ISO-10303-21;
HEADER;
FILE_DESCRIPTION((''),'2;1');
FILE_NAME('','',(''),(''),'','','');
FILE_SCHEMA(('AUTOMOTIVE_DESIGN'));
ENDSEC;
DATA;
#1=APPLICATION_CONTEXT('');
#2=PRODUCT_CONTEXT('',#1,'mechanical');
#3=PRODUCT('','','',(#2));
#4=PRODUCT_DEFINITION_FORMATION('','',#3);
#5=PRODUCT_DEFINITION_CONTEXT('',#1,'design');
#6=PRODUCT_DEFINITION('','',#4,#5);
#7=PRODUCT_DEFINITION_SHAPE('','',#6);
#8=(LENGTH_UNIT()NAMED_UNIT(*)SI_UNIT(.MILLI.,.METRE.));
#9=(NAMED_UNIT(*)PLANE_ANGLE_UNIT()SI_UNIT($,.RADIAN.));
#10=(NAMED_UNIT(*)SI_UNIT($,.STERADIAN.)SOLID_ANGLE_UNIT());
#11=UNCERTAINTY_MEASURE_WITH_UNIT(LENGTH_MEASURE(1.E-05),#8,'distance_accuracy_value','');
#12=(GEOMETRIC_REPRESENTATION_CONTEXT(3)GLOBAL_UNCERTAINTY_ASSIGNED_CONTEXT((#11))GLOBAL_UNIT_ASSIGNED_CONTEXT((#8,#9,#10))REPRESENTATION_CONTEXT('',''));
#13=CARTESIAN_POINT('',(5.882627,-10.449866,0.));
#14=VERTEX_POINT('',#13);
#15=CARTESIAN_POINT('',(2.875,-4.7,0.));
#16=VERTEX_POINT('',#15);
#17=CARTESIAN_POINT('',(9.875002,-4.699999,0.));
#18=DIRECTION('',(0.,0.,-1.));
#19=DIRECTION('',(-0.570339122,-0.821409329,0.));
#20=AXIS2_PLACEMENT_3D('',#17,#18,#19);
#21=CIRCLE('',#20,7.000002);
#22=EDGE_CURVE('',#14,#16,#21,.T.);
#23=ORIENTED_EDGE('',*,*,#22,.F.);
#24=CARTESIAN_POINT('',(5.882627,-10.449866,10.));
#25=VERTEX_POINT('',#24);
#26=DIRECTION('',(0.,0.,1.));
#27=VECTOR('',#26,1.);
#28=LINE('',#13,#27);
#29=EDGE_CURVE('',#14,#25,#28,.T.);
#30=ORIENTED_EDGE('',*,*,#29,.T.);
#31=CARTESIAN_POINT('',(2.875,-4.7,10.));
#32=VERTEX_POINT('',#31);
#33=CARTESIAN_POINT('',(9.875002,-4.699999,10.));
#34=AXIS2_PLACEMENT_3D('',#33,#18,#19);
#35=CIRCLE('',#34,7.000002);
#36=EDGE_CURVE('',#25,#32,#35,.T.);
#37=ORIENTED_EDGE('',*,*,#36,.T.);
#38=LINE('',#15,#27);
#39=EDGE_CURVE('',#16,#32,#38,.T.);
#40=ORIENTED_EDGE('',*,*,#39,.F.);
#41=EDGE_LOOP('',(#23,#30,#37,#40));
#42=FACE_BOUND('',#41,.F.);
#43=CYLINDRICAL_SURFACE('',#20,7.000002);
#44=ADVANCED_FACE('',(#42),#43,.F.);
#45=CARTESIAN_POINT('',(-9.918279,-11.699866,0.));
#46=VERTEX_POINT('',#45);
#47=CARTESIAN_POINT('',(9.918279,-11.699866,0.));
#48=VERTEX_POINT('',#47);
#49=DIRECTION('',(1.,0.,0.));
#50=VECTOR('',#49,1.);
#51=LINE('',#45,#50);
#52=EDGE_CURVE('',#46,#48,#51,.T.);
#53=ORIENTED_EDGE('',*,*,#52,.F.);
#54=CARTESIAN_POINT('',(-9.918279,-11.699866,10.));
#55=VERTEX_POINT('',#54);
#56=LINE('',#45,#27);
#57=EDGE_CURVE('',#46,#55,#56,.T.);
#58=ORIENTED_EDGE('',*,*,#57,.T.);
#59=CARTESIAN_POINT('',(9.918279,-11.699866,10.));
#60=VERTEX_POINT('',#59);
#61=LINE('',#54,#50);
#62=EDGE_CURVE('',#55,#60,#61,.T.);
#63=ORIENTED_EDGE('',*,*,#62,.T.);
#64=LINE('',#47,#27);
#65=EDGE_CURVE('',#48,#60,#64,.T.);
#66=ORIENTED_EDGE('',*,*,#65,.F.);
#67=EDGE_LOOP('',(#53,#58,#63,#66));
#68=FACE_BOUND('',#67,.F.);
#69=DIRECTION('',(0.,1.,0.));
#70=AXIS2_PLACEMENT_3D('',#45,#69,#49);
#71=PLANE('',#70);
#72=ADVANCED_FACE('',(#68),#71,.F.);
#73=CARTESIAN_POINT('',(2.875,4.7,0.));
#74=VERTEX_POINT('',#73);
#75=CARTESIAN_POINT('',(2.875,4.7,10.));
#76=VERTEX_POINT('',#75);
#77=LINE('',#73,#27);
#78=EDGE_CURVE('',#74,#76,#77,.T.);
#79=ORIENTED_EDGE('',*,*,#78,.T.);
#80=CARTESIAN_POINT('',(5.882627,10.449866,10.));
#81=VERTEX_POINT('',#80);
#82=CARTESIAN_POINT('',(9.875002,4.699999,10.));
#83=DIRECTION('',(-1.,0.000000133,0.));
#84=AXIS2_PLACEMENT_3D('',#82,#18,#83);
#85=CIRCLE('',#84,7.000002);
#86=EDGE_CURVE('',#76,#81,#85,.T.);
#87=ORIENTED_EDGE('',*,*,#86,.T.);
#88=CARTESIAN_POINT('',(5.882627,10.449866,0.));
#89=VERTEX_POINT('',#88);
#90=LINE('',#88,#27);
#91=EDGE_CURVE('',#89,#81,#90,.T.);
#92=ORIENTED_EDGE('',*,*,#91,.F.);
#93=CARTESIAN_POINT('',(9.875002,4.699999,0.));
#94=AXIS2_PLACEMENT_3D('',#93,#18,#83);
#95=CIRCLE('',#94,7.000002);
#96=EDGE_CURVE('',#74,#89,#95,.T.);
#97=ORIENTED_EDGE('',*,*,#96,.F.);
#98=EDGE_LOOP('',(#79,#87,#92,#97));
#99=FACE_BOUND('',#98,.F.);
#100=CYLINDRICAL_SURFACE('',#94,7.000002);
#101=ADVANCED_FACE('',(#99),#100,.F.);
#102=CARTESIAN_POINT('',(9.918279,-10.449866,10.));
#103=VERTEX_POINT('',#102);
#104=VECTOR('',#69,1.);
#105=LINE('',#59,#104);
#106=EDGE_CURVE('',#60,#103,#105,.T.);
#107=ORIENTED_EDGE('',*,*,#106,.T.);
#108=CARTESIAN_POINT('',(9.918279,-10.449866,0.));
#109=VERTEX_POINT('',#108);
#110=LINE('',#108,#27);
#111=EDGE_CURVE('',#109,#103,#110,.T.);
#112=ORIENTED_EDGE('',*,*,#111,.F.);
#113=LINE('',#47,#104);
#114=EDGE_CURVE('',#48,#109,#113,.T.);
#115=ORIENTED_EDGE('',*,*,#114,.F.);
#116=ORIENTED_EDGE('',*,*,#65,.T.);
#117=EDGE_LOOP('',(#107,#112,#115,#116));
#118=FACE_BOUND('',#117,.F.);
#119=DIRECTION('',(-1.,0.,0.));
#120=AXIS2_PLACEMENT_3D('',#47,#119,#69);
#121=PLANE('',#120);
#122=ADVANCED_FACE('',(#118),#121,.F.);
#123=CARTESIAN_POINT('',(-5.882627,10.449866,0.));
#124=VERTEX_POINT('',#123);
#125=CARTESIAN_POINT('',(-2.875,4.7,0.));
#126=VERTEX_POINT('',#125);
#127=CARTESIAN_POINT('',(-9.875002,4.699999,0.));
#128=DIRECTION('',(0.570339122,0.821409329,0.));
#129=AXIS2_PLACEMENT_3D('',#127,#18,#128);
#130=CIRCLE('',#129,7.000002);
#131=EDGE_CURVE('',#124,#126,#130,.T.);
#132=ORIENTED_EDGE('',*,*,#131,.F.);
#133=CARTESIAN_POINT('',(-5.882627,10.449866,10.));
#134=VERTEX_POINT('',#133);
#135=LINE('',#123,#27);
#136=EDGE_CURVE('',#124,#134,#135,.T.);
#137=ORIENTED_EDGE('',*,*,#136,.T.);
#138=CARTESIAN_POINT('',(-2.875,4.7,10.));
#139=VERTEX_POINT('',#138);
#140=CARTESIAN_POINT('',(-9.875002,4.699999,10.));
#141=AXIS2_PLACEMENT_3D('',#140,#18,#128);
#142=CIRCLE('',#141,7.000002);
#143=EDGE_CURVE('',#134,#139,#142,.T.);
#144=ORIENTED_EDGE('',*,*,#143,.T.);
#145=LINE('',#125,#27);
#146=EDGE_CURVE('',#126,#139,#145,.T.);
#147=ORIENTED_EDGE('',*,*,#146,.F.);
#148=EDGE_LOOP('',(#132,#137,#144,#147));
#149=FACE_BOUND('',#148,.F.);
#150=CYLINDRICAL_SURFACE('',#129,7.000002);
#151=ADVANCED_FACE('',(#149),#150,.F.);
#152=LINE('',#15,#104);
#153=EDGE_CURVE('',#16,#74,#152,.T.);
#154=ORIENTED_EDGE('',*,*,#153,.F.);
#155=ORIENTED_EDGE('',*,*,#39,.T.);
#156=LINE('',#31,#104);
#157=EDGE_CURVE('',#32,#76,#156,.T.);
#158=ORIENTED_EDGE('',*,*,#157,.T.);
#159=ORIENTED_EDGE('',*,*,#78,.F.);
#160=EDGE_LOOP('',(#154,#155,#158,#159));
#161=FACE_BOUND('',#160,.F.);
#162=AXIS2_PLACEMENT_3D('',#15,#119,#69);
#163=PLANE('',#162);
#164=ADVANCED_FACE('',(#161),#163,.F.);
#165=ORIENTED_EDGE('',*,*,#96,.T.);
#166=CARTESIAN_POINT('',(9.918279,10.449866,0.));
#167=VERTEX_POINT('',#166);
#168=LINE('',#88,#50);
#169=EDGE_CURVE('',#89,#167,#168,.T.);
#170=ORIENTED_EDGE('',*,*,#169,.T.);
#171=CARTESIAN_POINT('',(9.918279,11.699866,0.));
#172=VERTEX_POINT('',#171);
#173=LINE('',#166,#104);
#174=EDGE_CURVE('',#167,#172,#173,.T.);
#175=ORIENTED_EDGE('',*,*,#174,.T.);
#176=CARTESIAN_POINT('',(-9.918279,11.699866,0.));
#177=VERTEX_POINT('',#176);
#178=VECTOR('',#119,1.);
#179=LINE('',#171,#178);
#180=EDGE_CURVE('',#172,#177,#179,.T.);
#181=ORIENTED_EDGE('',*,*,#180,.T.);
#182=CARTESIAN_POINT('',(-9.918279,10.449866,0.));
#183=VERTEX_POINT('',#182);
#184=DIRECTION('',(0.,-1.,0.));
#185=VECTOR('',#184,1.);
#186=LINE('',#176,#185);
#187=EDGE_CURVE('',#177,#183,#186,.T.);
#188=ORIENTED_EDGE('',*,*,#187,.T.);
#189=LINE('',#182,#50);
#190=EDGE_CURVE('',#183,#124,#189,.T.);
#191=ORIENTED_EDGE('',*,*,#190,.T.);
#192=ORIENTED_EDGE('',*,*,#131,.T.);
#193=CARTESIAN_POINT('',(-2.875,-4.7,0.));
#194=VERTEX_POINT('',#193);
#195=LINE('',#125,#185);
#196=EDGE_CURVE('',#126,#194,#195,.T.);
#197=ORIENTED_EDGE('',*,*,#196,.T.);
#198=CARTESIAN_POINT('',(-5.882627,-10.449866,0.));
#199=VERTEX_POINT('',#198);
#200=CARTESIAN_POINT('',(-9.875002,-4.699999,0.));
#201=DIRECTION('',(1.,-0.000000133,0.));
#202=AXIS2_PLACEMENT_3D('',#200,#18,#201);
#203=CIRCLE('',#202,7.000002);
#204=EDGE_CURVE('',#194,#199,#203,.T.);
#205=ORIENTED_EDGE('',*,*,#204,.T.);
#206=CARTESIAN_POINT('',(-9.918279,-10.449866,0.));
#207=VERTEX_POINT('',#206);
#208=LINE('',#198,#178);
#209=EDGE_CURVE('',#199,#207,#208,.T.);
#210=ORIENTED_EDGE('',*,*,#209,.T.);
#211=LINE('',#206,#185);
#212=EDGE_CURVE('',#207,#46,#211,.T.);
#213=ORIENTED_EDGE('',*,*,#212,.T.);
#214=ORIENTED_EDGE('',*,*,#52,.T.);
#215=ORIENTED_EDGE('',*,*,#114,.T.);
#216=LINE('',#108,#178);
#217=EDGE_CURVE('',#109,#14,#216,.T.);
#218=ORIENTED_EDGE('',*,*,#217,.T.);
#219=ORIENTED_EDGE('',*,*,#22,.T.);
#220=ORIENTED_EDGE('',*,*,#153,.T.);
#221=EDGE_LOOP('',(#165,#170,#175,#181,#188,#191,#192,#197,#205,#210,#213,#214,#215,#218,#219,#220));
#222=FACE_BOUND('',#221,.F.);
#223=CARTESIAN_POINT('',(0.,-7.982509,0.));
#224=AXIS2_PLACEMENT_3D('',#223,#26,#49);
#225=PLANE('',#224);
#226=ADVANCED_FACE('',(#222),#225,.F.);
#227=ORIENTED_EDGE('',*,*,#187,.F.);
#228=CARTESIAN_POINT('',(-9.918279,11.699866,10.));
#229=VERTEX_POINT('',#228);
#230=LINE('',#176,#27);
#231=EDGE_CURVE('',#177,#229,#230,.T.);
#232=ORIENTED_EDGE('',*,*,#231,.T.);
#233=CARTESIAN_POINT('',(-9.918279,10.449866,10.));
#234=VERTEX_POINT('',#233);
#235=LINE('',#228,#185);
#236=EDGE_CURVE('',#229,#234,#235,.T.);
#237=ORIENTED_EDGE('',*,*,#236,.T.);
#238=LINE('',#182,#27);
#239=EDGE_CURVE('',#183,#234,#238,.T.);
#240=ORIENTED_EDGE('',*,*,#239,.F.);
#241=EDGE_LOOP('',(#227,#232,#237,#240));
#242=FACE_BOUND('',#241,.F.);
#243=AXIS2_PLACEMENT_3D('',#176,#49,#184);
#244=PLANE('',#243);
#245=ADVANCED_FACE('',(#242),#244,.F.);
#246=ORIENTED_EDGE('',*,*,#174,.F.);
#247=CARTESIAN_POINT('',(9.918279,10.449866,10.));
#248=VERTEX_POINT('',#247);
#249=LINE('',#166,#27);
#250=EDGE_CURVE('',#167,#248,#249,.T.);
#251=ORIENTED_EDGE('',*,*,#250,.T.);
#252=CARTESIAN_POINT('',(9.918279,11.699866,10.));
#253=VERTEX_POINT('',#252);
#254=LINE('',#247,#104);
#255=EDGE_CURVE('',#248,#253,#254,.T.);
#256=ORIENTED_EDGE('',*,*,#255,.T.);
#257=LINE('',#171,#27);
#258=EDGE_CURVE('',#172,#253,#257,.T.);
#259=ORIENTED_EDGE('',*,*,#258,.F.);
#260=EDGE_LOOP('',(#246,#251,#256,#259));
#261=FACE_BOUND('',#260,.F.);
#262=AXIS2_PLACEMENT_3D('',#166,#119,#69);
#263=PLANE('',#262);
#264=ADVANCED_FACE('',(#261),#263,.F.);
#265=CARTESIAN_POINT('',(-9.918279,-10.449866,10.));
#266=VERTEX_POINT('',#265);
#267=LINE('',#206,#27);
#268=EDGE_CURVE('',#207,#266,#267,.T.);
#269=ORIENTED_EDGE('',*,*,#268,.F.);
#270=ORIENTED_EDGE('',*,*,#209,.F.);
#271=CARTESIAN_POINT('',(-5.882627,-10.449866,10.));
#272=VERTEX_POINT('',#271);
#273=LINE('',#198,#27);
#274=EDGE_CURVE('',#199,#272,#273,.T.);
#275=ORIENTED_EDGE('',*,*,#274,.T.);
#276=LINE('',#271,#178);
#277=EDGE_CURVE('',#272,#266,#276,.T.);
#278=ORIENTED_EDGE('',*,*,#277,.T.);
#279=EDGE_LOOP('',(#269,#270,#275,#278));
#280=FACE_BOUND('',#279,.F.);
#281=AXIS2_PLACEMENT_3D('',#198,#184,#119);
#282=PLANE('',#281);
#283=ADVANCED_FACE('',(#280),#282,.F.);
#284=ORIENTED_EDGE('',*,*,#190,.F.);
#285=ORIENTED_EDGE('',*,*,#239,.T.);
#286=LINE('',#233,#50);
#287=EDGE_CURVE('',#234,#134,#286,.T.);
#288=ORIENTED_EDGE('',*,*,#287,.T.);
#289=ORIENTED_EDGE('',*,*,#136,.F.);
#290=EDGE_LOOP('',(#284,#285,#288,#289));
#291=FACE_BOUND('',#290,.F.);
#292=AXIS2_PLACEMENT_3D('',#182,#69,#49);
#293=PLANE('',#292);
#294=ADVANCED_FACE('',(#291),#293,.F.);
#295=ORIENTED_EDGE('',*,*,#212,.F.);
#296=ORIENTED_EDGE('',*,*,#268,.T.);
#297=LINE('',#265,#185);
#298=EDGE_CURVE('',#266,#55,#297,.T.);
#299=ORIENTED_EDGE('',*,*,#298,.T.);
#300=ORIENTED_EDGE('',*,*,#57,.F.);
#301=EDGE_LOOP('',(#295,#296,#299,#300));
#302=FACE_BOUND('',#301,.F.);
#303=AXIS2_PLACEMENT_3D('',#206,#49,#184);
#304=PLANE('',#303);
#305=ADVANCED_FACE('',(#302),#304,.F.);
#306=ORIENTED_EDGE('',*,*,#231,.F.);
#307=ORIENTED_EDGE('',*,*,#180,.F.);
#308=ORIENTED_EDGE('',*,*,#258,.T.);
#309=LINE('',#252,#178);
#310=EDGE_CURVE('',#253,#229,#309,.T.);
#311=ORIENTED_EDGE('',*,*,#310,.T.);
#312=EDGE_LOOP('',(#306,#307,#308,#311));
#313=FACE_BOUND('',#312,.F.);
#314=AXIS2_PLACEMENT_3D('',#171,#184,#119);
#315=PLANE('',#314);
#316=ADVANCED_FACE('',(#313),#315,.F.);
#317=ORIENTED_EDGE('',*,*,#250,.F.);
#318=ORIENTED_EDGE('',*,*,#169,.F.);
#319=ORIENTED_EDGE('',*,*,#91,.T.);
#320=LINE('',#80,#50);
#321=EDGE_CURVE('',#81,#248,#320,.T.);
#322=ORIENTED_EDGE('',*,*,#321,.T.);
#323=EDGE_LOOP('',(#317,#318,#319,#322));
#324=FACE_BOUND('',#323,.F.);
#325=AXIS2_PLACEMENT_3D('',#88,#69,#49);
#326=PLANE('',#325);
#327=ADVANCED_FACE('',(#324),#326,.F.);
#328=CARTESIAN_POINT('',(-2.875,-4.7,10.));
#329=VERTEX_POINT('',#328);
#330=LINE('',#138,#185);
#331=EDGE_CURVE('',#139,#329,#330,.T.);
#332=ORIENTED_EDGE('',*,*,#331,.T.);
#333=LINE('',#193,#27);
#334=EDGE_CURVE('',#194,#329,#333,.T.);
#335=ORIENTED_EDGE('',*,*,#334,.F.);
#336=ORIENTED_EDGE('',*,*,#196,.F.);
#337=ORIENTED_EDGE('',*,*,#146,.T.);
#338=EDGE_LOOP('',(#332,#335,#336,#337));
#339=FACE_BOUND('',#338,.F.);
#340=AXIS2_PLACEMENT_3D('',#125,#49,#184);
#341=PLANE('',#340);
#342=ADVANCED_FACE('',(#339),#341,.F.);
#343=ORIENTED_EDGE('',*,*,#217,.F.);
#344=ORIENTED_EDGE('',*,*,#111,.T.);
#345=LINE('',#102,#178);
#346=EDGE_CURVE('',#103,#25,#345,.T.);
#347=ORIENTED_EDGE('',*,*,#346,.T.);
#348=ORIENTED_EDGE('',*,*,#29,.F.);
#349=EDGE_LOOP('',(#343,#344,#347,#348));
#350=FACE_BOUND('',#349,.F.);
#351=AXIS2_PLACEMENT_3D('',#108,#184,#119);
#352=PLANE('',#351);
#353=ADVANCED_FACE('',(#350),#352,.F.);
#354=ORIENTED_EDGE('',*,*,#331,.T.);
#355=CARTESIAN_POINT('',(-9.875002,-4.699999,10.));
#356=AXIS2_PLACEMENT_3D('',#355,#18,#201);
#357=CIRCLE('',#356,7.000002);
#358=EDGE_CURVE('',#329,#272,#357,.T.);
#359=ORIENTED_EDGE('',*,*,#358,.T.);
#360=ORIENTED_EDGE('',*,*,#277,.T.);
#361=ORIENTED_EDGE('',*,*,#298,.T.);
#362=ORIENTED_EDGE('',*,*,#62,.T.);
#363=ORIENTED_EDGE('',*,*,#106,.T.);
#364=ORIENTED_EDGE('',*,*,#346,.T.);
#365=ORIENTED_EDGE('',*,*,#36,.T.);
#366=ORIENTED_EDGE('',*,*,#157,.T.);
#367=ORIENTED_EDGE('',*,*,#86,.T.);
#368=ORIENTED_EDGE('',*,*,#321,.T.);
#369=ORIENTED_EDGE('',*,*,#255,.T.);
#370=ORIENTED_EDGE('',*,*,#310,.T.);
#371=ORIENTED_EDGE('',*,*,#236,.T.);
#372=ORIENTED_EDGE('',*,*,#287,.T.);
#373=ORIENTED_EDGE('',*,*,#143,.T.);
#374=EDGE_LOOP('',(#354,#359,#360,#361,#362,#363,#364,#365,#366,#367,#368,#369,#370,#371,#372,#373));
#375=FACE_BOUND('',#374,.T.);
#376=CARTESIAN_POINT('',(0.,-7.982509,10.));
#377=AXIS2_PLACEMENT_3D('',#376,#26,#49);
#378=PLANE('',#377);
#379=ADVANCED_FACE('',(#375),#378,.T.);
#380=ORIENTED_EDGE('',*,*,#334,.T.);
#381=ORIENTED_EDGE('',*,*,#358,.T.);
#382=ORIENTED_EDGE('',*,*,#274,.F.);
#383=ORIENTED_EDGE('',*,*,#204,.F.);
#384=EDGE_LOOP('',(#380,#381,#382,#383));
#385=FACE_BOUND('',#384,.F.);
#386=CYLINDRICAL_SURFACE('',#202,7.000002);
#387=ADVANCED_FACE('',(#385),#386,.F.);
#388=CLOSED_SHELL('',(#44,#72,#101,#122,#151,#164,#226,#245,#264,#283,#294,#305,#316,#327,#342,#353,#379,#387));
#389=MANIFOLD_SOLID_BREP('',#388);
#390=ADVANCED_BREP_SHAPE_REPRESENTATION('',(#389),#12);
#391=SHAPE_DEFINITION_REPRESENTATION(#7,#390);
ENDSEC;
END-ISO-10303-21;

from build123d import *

# Parameters (mm, degrees)
F1_DEPTH = 10


with BuildPart() as f1:
    # F0 (on Top) → F1 (new body)
    with BuildSketch(Plane.XY):
        with BuildLine():
            Line((2.875, 0), (0, 0))
            Line((0, 0), (-2.875, 0))
            Line((-2.875, 0), (-2.875, -4.7))
            ThreePointArc((-2.875, -4.7), (-3.672315, -7.944487), (-5.882627, -10.449866))
            Line((-5.882627, -10.449866), (-9.918279, -10.449866))
            Line((-9.918279, -10.449866), (-9.918279, -11.699866))
            Line((-9.918279, -11.699866), (-9.831721, -11.699866))
            Line((-9.831721, -11.699866), (0, -11.699866))
            Line((0, -11.699866), (9.831721, -11.699866))
            Line((9.831721, -11.699866), (9.918279, -11.699866))
            Line((9.918279, -11.699866), (9.918279, -10.449866))
            Line((9.918279, -10.449866), (5.882627, -10.449866))
            ThreePointArc((5.882627, -10.449866), (3.672315, -7.944487), (2.875, -4.7))
            Line((2.875, -4.7), (2.875, 0))
        make_face()
        with BuildLine():
            Line((-2.875, 0), (0, 0))
            Line((0, 0), (2.875, 0))
            Line((2.875, 0), (2.875, 4.7))
            ThreePointArc((2.875, 4.7), (3.672315, 7.944487), (5.882627, 10.449866))
            Line((5.882627, 10.449866), (9.918279, 10.449866))
            Line((9.918279, 10.449866), (9.918279, 11.699866))
            Line((9.918279, 11.699866), (9.831721, 11.699866))
            Line((9.831721, 11.699866), (0, 11.699866))
            Line((0, 11.699866), (-9.831721, 11.699866))
            Line((-9.831721, 11.699866), (-9.918279, 11.699866))
            Line((-9.918279, 11.699866), (-9.918279, 10.449866))
            Line((-9.918279, 10.449866), (-5.882627, 10.449866))
            ThreePointArc((-5.882627, 10.449866), (-3.672315, 7.944487), (-2.875, 4.7))
            Line((-2.875, 4.7), (-2.875, 0))
        make_face()
    extrude(amount=F1_DEPTH)


solid = f1.part
